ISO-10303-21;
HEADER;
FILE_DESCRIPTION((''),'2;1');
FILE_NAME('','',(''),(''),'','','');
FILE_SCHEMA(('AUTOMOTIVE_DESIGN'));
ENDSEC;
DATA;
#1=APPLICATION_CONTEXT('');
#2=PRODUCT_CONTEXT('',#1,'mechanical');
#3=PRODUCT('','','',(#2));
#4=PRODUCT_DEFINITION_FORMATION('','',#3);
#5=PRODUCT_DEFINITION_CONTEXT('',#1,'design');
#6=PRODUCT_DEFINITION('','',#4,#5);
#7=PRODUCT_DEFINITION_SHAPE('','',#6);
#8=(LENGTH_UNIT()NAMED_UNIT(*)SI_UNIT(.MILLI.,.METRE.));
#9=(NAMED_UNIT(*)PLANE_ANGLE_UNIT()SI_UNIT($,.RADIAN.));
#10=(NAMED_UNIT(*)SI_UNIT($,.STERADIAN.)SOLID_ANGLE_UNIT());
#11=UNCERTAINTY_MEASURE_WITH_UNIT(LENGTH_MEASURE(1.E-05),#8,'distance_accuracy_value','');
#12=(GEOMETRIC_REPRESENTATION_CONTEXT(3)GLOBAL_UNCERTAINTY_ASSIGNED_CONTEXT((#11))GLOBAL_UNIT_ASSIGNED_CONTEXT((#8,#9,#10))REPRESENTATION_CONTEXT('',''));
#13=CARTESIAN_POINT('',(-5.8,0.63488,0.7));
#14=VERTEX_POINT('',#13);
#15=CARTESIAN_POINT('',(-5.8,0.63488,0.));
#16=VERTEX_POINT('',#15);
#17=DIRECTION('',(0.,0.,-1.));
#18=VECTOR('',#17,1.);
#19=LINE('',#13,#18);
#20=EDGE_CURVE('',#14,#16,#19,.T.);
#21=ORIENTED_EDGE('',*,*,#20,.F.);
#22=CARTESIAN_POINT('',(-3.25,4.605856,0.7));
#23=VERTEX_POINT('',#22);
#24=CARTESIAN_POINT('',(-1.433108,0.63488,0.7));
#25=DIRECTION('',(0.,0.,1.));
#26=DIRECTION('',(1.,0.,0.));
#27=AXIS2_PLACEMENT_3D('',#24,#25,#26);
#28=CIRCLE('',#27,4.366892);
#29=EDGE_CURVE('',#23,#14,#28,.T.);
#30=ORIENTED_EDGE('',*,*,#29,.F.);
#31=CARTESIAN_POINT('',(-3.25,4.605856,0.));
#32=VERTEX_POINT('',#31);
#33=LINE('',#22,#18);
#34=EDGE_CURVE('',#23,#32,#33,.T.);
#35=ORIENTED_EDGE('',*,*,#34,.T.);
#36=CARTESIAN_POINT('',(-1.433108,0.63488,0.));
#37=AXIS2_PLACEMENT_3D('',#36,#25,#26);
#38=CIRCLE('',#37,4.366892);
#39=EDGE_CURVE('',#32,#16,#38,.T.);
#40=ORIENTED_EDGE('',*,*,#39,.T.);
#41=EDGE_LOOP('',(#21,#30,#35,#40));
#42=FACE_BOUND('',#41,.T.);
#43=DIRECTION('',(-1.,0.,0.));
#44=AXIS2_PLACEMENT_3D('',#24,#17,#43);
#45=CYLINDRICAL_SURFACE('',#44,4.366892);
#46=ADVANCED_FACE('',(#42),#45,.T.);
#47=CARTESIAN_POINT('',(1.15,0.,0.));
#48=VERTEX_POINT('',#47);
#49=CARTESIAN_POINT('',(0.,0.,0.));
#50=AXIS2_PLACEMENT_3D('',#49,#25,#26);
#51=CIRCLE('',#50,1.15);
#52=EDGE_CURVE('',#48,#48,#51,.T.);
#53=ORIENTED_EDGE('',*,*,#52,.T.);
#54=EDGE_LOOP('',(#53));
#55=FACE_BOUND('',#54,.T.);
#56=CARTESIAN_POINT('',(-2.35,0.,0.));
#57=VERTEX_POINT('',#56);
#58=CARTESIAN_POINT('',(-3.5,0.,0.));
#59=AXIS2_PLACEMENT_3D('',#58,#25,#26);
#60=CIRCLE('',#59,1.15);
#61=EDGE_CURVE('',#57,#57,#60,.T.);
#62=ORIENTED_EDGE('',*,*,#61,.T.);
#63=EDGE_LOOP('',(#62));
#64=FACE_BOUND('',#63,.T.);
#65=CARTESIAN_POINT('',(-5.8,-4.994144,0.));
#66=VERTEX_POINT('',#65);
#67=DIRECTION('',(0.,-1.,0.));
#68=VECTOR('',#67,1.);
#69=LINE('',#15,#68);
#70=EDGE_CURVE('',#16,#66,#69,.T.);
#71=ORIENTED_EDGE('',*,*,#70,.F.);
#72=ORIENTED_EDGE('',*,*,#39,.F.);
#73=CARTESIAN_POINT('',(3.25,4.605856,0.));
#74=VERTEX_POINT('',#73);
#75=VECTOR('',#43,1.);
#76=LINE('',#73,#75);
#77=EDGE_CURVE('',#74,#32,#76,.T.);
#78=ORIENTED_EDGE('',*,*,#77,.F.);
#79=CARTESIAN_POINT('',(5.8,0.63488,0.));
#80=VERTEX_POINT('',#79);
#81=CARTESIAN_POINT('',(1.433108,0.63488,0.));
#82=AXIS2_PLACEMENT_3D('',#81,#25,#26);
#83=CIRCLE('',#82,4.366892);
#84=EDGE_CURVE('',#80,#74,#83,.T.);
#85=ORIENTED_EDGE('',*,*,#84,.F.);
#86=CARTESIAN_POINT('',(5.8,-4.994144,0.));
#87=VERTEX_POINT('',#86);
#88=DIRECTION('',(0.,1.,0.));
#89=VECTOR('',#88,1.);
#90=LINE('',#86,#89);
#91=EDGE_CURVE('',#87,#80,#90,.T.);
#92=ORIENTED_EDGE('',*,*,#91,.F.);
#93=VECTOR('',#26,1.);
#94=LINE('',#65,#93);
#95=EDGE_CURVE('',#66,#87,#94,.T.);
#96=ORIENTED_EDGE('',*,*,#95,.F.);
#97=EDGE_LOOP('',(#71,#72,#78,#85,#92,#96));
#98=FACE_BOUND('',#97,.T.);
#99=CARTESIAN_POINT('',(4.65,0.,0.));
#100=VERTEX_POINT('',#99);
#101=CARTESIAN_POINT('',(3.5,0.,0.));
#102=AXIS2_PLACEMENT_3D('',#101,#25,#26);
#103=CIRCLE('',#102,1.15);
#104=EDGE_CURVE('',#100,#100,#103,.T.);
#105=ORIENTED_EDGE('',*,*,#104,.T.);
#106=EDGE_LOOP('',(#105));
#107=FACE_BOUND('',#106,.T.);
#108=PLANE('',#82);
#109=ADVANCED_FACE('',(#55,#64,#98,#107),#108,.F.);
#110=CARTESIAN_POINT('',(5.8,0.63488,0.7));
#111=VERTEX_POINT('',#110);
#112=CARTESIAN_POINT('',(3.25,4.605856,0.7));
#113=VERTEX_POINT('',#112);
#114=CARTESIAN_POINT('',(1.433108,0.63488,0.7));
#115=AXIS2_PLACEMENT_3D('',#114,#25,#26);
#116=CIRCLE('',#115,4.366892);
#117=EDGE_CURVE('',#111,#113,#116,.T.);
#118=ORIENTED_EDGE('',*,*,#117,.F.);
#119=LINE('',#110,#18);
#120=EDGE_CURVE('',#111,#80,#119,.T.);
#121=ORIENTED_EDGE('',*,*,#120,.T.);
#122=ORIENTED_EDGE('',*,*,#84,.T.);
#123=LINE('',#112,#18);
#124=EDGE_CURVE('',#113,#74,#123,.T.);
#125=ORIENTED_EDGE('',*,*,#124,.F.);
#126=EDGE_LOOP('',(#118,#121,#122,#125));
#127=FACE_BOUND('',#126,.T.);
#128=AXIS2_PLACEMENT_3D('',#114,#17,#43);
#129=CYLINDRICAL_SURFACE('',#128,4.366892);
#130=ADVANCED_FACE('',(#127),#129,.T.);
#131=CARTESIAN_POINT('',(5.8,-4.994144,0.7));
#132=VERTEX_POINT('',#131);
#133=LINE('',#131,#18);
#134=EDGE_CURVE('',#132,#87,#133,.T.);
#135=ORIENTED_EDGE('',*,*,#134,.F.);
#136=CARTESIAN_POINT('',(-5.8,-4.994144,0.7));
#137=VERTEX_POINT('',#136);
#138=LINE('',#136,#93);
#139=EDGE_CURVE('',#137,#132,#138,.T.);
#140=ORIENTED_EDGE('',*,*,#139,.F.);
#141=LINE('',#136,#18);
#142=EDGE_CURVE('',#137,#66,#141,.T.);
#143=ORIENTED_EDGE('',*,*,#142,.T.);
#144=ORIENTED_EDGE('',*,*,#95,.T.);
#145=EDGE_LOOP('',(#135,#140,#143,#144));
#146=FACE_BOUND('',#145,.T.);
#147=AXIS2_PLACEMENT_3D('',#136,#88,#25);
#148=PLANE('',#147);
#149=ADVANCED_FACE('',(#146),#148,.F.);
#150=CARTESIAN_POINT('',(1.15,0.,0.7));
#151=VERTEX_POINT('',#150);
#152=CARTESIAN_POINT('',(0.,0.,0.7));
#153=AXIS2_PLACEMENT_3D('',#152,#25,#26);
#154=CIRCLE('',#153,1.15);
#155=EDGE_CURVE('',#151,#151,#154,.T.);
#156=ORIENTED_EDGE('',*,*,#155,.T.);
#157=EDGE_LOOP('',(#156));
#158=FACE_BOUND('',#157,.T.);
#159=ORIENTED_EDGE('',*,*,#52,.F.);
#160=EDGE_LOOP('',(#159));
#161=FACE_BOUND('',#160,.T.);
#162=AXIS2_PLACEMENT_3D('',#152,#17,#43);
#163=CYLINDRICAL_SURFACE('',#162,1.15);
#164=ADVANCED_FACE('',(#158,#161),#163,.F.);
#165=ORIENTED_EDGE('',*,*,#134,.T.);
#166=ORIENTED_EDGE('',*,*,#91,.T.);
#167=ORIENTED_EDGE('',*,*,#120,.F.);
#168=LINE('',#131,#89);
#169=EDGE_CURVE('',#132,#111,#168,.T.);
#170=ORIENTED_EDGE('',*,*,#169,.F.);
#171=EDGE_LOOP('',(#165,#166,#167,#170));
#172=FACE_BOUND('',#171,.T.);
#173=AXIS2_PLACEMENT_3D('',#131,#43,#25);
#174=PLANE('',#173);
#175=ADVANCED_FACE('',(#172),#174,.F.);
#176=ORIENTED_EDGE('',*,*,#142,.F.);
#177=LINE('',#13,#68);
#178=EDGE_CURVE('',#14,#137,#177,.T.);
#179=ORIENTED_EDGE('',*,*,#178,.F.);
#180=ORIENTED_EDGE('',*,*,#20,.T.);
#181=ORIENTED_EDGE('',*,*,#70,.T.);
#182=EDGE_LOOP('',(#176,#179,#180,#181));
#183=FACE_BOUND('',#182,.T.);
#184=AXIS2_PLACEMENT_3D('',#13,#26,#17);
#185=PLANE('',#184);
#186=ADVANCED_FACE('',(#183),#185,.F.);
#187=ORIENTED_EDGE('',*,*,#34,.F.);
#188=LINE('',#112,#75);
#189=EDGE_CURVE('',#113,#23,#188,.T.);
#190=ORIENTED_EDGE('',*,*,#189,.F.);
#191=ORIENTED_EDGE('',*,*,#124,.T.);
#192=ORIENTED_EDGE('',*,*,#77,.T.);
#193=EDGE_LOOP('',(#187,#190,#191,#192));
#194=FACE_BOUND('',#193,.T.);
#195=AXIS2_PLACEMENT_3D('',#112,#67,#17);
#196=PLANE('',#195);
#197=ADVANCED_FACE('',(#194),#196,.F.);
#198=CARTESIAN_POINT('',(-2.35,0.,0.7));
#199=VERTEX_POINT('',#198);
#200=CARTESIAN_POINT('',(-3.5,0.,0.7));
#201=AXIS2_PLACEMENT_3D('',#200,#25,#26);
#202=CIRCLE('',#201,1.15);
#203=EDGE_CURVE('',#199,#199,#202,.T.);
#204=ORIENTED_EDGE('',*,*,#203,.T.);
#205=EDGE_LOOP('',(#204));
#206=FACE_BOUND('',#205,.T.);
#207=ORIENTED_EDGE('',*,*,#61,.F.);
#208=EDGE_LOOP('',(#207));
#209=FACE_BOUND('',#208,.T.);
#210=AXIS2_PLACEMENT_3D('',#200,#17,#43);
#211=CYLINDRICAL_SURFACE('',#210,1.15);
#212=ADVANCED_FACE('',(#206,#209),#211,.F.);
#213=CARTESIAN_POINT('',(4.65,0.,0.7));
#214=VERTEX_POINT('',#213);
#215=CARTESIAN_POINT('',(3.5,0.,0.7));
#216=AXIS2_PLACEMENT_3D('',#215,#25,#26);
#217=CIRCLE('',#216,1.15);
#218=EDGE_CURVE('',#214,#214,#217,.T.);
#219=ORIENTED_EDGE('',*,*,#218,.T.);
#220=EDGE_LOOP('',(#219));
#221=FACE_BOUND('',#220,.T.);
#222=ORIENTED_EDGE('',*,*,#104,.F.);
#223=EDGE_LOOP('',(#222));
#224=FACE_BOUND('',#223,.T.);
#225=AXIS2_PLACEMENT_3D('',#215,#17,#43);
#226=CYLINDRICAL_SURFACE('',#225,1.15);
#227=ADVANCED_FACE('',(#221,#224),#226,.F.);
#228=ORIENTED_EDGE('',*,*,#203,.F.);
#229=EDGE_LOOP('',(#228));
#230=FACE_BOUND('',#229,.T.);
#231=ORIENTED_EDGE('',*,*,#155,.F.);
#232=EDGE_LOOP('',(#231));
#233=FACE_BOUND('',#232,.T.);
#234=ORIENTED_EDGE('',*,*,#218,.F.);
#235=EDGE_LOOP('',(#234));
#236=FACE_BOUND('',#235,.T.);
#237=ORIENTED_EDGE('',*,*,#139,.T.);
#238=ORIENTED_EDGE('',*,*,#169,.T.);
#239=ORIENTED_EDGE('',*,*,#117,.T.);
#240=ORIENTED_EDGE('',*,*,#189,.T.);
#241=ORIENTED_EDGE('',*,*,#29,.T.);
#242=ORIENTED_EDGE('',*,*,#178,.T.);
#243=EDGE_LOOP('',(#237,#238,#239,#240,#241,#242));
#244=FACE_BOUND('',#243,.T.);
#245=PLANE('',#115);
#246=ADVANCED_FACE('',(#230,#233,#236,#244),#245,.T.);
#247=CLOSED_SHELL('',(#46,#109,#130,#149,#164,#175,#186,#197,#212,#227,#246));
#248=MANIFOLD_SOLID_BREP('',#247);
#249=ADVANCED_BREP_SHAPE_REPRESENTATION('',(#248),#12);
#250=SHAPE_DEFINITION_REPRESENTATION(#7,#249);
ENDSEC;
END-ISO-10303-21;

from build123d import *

# Parameters (mm, degrees)
SZKIC1_R                    = 1.15
DODANIE_WYCI_GNI_CIE1_DEPTH = 0.7


with BuildPart() as part:
    # Szkic1 → Dodanie-wyciągnięcie1 (new body)
    with BuildSketch(Plane.XY):
        with BuildLine():
            Line((-5.8, -4.994143627), (5.8, -4.994143627))
            Line((5.8, -4.994143627), (5.8, 0.63488027))
            ThreePointArc((5.8, 0.63488027), (5.10760912, 2.994496299), (3.25, 4.605856373))
            Line((3.25, 4.605856373), (-3.25, 4.605856373))
            ThreePointArc((-3.25, 4.605856373), (-5.10760912, 2.994496299), (-5.8, 0.63488027))
            Line((-5.8, 0.63488027), (-5.8, -4.994143627))
        make_face()
        Circle(SZKIC1_R, mode=Mode.SUBTRACT)
        with Locations((3.5, 0)):
            Circle(SZKIC1_R, mode=Mode.SUBTRACT)
        with Locations((-3.5, 0)):
            Circle(SZKIC1_R, mode=Mode.SUBTRACT)
    extrude(amount=DODANIE_WYCI_GNI_CIE1_DEPTH)


solid = part.part
